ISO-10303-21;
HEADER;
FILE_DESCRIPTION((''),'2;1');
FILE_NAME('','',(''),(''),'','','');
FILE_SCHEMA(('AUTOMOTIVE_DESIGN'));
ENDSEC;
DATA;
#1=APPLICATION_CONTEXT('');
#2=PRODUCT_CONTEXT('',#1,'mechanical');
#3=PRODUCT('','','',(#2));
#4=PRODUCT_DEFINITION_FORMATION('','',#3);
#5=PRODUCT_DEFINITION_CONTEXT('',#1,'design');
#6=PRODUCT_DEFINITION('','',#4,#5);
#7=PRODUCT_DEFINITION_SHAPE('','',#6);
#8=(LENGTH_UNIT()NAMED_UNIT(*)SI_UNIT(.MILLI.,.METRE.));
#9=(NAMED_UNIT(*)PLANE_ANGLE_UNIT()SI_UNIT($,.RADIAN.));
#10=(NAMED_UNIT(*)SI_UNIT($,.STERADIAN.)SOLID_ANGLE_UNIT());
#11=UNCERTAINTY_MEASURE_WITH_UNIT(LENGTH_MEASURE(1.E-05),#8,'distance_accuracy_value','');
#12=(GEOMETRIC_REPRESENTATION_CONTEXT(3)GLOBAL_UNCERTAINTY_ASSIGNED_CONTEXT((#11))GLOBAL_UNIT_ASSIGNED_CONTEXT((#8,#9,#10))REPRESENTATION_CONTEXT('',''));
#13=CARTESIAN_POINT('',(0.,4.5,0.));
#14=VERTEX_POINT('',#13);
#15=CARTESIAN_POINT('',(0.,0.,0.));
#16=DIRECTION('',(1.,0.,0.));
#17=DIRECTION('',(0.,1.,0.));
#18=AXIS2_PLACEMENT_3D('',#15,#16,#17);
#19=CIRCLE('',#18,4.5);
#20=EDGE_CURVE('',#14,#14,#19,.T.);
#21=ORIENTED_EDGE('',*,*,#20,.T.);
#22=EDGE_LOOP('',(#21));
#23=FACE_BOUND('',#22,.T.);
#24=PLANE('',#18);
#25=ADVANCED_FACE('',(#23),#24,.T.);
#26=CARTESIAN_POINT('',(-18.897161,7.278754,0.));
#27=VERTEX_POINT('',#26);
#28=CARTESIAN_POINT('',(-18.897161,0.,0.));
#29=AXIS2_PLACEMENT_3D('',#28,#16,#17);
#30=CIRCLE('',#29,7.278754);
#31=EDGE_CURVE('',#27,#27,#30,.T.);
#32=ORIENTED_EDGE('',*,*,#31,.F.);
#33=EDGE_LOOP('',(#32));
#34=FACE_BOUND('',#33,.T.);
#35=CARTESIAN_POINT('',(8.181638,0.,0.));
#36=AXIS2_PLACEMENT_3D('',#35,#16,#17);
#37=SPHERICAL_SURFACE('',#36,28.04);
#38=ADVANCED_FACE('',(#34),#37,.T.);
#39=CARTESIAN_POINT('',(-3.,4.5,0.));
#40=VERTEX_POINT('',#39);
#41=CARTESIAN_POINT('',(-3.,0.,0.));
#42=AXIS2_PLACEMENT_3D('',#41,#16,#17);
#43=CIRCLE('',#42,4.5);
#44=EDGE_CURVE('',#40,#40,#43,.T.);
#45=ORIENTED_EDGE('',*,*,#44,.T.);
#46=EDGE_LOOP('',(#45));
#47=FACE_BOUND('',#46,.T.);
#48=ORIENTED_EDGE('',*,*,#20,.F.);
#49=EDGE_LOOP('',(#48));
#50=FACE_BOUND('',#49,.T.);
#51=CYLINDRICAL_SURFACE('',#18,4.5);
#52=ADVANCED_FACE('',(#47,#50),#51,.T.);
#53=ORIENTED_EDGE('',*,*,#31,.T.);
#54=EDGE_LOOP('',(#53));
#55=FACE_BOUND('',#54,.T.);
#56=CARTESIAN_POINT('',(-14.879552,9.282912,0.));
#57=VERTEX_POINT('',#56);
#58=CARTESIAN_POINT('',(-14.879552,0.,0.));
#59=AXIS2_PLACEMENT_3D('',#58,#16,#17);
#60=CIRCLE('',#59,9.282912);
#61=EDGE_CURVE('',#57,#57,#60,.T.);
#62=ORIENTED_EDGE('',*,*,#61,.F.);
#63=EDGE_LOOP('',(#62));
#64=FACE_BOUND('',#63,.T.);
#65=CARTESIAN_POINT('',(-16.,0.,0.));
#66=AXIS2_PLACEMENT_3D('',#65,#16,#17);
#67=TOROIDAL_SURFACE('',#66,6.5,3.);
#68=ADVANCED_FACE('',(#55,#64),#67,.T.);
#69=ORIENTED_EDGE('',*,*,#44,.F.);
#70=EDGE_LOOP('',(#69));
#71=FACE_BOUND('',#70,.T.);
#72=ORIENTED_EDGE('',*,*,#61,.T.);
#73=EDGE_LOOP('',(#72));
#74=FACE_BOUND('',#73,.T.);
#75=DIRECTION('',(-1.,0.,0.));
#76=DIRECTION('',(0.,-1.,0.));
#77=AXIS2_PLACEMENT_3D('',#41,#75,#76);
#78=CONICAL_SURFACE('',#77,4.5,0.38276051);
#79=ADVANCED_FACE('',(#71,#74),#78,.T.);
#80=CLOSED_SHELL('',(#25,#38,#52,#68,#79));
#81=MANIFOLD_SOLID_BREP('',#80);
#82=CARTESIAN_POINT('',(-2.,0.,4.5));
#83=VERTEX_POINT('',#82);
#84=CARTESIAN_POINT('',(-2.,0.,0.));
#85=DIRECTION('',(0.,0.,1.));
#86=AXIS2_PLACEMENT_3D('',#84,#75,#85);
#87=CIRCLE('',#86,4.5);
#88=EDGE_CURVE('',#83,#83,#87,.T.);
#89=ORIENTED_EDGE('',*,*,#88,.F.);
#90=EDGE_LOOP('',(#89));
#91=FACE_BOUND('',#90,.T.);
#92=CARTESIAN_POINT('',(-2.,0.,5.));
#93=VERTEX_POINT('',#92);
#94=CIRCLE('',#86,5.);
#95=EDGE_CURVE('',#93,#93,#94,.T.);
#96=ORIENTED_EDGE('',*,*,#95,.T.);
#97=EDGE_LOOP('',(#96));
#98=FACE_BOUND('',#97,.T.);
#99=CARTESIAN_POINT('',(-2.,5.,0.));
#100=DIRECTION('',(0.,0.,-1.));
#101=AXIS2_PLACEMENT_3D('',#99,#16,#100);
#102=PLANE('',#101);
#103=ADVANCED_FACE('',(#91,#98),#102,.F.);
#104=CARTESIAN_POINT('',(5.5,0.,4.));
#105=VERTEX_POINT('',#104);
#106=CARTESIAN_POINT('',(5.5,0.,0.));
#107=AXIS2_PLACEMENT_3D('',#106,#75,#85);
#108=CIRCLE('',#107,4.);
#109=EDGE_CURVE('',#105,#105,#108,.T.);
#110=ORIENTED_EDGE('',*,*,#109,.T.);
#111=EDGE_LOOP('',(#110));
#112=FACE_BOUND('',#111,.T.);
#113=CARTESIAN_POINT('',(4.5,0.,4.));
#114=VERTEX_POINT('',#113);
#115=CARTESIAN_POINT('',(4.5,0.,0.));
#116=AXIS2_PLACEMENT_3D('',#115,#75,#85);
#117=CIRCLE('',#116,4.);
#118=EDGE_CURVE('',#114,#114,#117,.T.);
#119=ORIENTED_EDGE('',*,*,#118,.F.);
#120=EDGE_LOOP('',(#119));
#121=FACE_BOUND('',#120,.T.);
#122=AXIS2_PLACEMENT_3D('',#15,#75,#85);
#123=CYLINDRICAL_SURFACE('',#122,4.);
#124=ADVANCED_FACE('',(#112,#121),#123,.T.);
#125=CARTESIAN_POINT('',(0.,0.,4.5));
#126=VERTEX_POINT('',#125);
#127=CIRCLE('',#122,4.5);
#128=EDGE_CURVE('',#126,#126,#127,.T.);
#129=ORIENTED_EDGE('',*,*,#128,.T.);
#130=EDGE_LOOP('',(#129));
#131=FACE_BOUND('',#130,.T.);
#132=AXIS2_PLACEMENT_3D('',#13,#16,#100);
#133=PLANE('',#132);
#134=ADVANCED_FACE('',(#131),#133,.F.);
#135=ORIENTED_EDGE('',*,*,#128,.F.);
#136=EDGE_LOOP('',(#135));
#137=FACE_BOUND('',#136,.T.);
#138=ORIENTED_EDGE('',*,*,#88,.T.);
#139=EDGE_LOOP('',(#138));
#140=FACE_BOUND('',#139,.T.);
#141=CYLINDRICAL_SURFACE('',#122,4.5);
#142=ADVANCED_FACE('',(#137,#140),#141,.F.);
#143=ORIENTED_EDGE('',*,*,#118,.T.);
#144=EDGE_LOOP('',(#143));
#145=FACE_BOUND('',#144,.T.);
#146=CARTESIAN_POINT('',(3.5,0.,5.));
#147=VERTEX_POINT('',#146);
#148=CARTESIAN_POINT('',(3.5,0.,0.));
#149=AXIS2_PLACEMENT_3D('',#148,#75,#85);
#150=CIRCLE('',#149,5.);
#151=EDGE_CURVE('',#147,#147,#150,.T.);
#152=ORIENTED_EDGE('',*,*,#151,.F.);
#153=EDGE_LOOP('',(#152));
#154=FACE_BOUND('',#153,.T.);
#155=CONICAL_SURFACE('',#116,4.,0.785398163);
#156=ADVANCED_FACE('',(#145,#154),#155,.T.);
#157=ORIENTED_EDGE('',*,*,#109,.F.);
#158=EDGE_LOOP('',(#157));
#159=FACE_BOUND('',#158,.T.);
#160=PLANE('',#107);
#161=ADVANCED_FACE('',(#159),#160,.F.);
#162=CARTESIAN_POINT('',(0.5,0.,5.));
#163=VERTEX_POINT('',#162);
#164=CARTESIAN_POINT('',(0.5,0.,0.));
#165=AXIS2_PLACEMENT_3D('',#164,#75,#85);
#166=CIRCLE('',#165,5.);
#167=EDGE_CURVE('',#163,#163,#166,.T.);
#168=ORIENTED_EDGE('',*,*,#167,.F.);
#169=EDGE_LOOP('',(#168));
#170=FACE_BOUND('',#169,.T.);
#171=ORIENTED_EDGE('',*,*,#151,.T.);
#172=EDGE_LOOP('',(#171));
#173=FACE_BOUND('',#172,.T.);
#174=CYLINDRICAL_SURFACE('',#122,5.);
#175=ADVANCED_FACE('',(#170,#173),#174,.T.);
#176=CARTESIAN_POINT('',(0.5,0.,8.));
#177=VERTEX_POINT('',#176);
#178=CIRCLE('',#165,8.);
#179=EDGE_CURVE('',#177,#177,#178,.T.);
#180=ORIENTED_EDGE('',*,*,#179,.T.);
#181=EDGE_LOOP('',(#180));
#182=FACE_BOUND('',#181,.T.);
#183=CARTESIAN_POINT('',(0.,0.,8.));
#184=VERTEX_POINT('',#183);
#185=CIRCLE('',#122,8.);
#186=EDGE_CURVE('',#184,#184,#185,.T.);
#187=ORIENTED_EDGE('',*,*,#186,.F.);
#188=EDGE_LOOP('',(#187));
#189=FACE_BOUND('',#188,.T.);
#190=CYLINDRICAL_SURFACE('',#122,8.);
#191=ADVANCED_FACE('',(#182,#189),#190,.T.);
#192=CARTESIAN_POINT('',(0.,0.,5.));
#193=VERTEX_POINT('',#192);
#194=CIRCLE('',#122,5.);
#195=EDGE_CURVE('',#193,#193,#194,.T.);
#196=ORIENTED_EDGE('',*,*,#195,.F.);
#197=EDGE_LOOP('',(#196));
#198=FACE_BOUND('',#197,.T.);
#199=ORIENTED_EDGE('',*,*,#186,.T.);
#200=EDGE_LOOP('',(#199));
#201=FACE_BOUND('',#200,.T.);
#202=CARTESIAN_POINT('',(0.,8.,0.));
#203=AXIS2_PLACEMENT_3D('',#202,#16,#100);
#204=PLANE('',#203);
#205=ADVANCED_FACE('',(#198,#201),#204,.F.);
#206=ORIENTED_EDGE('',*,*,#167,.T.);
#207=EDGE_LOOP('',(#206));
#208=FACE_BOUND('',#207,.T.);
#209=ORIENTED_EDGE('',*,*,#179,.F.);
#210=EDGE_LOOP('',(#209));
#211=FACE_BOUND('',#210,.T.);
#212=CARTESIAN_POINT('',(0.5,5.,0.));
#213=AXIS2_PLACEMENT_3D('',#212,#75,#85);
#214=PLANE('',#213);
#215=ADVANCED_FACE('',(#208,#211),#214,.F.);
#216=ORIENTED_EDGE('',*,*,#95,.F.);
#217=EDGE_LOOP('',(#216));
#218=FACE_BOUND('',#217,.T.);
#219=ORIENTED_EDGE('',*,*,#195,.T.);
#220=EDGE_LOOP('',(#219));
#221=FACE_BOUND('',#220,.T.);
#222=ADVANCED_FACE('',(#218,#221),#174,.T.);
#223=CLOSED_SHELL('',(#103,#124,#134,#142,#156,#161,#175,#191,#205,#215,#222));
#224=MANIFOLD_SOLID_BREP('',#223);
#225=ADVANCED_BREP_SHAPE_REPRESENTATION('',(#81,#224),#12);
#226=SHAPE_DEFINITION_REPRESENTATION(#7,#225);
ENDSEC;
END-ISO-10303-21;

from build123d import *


with BuildPart() as part:
    # Sketch1 → Revolve1 (revolve)
    with BuildSketch(Plane.XY):
        Polygon((0, 4.5), (0, 0), (5.5, 0), (5.5, 4), (4.5, 4), (3.5, 5), (0.5, 5), (0.5, 8), (0, 8), (0, 5), (-2, 5), (-2, 4.5), align=None)
    revolve(axis=Axis((0, 0, 0), (1, 0, 0)))


with BuildPart() as body_2:
    # Sketch2 → Revolve2 (revolve)
    with BuildSketch(Plane.XY):
        with BuildLine():
            Line((0, 0), (0, 4.5))
            Line((0, 4.5), (-3, 4.5))
            Line((-3, 4.5), (-14.879552076, 9.282911506))
            ThreePointArc((-14.879552076, 9.282911506), (-17.339156162, 9.184522448), (-18.897161062, 7.278753994))
            ThreePointArc((-18.897161062, 7.278753994), (-19.617023423, 3.670972882), (-19.858362338, 0))
            Line((-19.858362338, 0), (0, 0))
        make_face()
    revolve(axis=Axis((0, 0, 0), (-1, 0, 0)))


solid = Compound([part.part, body_2.part])
